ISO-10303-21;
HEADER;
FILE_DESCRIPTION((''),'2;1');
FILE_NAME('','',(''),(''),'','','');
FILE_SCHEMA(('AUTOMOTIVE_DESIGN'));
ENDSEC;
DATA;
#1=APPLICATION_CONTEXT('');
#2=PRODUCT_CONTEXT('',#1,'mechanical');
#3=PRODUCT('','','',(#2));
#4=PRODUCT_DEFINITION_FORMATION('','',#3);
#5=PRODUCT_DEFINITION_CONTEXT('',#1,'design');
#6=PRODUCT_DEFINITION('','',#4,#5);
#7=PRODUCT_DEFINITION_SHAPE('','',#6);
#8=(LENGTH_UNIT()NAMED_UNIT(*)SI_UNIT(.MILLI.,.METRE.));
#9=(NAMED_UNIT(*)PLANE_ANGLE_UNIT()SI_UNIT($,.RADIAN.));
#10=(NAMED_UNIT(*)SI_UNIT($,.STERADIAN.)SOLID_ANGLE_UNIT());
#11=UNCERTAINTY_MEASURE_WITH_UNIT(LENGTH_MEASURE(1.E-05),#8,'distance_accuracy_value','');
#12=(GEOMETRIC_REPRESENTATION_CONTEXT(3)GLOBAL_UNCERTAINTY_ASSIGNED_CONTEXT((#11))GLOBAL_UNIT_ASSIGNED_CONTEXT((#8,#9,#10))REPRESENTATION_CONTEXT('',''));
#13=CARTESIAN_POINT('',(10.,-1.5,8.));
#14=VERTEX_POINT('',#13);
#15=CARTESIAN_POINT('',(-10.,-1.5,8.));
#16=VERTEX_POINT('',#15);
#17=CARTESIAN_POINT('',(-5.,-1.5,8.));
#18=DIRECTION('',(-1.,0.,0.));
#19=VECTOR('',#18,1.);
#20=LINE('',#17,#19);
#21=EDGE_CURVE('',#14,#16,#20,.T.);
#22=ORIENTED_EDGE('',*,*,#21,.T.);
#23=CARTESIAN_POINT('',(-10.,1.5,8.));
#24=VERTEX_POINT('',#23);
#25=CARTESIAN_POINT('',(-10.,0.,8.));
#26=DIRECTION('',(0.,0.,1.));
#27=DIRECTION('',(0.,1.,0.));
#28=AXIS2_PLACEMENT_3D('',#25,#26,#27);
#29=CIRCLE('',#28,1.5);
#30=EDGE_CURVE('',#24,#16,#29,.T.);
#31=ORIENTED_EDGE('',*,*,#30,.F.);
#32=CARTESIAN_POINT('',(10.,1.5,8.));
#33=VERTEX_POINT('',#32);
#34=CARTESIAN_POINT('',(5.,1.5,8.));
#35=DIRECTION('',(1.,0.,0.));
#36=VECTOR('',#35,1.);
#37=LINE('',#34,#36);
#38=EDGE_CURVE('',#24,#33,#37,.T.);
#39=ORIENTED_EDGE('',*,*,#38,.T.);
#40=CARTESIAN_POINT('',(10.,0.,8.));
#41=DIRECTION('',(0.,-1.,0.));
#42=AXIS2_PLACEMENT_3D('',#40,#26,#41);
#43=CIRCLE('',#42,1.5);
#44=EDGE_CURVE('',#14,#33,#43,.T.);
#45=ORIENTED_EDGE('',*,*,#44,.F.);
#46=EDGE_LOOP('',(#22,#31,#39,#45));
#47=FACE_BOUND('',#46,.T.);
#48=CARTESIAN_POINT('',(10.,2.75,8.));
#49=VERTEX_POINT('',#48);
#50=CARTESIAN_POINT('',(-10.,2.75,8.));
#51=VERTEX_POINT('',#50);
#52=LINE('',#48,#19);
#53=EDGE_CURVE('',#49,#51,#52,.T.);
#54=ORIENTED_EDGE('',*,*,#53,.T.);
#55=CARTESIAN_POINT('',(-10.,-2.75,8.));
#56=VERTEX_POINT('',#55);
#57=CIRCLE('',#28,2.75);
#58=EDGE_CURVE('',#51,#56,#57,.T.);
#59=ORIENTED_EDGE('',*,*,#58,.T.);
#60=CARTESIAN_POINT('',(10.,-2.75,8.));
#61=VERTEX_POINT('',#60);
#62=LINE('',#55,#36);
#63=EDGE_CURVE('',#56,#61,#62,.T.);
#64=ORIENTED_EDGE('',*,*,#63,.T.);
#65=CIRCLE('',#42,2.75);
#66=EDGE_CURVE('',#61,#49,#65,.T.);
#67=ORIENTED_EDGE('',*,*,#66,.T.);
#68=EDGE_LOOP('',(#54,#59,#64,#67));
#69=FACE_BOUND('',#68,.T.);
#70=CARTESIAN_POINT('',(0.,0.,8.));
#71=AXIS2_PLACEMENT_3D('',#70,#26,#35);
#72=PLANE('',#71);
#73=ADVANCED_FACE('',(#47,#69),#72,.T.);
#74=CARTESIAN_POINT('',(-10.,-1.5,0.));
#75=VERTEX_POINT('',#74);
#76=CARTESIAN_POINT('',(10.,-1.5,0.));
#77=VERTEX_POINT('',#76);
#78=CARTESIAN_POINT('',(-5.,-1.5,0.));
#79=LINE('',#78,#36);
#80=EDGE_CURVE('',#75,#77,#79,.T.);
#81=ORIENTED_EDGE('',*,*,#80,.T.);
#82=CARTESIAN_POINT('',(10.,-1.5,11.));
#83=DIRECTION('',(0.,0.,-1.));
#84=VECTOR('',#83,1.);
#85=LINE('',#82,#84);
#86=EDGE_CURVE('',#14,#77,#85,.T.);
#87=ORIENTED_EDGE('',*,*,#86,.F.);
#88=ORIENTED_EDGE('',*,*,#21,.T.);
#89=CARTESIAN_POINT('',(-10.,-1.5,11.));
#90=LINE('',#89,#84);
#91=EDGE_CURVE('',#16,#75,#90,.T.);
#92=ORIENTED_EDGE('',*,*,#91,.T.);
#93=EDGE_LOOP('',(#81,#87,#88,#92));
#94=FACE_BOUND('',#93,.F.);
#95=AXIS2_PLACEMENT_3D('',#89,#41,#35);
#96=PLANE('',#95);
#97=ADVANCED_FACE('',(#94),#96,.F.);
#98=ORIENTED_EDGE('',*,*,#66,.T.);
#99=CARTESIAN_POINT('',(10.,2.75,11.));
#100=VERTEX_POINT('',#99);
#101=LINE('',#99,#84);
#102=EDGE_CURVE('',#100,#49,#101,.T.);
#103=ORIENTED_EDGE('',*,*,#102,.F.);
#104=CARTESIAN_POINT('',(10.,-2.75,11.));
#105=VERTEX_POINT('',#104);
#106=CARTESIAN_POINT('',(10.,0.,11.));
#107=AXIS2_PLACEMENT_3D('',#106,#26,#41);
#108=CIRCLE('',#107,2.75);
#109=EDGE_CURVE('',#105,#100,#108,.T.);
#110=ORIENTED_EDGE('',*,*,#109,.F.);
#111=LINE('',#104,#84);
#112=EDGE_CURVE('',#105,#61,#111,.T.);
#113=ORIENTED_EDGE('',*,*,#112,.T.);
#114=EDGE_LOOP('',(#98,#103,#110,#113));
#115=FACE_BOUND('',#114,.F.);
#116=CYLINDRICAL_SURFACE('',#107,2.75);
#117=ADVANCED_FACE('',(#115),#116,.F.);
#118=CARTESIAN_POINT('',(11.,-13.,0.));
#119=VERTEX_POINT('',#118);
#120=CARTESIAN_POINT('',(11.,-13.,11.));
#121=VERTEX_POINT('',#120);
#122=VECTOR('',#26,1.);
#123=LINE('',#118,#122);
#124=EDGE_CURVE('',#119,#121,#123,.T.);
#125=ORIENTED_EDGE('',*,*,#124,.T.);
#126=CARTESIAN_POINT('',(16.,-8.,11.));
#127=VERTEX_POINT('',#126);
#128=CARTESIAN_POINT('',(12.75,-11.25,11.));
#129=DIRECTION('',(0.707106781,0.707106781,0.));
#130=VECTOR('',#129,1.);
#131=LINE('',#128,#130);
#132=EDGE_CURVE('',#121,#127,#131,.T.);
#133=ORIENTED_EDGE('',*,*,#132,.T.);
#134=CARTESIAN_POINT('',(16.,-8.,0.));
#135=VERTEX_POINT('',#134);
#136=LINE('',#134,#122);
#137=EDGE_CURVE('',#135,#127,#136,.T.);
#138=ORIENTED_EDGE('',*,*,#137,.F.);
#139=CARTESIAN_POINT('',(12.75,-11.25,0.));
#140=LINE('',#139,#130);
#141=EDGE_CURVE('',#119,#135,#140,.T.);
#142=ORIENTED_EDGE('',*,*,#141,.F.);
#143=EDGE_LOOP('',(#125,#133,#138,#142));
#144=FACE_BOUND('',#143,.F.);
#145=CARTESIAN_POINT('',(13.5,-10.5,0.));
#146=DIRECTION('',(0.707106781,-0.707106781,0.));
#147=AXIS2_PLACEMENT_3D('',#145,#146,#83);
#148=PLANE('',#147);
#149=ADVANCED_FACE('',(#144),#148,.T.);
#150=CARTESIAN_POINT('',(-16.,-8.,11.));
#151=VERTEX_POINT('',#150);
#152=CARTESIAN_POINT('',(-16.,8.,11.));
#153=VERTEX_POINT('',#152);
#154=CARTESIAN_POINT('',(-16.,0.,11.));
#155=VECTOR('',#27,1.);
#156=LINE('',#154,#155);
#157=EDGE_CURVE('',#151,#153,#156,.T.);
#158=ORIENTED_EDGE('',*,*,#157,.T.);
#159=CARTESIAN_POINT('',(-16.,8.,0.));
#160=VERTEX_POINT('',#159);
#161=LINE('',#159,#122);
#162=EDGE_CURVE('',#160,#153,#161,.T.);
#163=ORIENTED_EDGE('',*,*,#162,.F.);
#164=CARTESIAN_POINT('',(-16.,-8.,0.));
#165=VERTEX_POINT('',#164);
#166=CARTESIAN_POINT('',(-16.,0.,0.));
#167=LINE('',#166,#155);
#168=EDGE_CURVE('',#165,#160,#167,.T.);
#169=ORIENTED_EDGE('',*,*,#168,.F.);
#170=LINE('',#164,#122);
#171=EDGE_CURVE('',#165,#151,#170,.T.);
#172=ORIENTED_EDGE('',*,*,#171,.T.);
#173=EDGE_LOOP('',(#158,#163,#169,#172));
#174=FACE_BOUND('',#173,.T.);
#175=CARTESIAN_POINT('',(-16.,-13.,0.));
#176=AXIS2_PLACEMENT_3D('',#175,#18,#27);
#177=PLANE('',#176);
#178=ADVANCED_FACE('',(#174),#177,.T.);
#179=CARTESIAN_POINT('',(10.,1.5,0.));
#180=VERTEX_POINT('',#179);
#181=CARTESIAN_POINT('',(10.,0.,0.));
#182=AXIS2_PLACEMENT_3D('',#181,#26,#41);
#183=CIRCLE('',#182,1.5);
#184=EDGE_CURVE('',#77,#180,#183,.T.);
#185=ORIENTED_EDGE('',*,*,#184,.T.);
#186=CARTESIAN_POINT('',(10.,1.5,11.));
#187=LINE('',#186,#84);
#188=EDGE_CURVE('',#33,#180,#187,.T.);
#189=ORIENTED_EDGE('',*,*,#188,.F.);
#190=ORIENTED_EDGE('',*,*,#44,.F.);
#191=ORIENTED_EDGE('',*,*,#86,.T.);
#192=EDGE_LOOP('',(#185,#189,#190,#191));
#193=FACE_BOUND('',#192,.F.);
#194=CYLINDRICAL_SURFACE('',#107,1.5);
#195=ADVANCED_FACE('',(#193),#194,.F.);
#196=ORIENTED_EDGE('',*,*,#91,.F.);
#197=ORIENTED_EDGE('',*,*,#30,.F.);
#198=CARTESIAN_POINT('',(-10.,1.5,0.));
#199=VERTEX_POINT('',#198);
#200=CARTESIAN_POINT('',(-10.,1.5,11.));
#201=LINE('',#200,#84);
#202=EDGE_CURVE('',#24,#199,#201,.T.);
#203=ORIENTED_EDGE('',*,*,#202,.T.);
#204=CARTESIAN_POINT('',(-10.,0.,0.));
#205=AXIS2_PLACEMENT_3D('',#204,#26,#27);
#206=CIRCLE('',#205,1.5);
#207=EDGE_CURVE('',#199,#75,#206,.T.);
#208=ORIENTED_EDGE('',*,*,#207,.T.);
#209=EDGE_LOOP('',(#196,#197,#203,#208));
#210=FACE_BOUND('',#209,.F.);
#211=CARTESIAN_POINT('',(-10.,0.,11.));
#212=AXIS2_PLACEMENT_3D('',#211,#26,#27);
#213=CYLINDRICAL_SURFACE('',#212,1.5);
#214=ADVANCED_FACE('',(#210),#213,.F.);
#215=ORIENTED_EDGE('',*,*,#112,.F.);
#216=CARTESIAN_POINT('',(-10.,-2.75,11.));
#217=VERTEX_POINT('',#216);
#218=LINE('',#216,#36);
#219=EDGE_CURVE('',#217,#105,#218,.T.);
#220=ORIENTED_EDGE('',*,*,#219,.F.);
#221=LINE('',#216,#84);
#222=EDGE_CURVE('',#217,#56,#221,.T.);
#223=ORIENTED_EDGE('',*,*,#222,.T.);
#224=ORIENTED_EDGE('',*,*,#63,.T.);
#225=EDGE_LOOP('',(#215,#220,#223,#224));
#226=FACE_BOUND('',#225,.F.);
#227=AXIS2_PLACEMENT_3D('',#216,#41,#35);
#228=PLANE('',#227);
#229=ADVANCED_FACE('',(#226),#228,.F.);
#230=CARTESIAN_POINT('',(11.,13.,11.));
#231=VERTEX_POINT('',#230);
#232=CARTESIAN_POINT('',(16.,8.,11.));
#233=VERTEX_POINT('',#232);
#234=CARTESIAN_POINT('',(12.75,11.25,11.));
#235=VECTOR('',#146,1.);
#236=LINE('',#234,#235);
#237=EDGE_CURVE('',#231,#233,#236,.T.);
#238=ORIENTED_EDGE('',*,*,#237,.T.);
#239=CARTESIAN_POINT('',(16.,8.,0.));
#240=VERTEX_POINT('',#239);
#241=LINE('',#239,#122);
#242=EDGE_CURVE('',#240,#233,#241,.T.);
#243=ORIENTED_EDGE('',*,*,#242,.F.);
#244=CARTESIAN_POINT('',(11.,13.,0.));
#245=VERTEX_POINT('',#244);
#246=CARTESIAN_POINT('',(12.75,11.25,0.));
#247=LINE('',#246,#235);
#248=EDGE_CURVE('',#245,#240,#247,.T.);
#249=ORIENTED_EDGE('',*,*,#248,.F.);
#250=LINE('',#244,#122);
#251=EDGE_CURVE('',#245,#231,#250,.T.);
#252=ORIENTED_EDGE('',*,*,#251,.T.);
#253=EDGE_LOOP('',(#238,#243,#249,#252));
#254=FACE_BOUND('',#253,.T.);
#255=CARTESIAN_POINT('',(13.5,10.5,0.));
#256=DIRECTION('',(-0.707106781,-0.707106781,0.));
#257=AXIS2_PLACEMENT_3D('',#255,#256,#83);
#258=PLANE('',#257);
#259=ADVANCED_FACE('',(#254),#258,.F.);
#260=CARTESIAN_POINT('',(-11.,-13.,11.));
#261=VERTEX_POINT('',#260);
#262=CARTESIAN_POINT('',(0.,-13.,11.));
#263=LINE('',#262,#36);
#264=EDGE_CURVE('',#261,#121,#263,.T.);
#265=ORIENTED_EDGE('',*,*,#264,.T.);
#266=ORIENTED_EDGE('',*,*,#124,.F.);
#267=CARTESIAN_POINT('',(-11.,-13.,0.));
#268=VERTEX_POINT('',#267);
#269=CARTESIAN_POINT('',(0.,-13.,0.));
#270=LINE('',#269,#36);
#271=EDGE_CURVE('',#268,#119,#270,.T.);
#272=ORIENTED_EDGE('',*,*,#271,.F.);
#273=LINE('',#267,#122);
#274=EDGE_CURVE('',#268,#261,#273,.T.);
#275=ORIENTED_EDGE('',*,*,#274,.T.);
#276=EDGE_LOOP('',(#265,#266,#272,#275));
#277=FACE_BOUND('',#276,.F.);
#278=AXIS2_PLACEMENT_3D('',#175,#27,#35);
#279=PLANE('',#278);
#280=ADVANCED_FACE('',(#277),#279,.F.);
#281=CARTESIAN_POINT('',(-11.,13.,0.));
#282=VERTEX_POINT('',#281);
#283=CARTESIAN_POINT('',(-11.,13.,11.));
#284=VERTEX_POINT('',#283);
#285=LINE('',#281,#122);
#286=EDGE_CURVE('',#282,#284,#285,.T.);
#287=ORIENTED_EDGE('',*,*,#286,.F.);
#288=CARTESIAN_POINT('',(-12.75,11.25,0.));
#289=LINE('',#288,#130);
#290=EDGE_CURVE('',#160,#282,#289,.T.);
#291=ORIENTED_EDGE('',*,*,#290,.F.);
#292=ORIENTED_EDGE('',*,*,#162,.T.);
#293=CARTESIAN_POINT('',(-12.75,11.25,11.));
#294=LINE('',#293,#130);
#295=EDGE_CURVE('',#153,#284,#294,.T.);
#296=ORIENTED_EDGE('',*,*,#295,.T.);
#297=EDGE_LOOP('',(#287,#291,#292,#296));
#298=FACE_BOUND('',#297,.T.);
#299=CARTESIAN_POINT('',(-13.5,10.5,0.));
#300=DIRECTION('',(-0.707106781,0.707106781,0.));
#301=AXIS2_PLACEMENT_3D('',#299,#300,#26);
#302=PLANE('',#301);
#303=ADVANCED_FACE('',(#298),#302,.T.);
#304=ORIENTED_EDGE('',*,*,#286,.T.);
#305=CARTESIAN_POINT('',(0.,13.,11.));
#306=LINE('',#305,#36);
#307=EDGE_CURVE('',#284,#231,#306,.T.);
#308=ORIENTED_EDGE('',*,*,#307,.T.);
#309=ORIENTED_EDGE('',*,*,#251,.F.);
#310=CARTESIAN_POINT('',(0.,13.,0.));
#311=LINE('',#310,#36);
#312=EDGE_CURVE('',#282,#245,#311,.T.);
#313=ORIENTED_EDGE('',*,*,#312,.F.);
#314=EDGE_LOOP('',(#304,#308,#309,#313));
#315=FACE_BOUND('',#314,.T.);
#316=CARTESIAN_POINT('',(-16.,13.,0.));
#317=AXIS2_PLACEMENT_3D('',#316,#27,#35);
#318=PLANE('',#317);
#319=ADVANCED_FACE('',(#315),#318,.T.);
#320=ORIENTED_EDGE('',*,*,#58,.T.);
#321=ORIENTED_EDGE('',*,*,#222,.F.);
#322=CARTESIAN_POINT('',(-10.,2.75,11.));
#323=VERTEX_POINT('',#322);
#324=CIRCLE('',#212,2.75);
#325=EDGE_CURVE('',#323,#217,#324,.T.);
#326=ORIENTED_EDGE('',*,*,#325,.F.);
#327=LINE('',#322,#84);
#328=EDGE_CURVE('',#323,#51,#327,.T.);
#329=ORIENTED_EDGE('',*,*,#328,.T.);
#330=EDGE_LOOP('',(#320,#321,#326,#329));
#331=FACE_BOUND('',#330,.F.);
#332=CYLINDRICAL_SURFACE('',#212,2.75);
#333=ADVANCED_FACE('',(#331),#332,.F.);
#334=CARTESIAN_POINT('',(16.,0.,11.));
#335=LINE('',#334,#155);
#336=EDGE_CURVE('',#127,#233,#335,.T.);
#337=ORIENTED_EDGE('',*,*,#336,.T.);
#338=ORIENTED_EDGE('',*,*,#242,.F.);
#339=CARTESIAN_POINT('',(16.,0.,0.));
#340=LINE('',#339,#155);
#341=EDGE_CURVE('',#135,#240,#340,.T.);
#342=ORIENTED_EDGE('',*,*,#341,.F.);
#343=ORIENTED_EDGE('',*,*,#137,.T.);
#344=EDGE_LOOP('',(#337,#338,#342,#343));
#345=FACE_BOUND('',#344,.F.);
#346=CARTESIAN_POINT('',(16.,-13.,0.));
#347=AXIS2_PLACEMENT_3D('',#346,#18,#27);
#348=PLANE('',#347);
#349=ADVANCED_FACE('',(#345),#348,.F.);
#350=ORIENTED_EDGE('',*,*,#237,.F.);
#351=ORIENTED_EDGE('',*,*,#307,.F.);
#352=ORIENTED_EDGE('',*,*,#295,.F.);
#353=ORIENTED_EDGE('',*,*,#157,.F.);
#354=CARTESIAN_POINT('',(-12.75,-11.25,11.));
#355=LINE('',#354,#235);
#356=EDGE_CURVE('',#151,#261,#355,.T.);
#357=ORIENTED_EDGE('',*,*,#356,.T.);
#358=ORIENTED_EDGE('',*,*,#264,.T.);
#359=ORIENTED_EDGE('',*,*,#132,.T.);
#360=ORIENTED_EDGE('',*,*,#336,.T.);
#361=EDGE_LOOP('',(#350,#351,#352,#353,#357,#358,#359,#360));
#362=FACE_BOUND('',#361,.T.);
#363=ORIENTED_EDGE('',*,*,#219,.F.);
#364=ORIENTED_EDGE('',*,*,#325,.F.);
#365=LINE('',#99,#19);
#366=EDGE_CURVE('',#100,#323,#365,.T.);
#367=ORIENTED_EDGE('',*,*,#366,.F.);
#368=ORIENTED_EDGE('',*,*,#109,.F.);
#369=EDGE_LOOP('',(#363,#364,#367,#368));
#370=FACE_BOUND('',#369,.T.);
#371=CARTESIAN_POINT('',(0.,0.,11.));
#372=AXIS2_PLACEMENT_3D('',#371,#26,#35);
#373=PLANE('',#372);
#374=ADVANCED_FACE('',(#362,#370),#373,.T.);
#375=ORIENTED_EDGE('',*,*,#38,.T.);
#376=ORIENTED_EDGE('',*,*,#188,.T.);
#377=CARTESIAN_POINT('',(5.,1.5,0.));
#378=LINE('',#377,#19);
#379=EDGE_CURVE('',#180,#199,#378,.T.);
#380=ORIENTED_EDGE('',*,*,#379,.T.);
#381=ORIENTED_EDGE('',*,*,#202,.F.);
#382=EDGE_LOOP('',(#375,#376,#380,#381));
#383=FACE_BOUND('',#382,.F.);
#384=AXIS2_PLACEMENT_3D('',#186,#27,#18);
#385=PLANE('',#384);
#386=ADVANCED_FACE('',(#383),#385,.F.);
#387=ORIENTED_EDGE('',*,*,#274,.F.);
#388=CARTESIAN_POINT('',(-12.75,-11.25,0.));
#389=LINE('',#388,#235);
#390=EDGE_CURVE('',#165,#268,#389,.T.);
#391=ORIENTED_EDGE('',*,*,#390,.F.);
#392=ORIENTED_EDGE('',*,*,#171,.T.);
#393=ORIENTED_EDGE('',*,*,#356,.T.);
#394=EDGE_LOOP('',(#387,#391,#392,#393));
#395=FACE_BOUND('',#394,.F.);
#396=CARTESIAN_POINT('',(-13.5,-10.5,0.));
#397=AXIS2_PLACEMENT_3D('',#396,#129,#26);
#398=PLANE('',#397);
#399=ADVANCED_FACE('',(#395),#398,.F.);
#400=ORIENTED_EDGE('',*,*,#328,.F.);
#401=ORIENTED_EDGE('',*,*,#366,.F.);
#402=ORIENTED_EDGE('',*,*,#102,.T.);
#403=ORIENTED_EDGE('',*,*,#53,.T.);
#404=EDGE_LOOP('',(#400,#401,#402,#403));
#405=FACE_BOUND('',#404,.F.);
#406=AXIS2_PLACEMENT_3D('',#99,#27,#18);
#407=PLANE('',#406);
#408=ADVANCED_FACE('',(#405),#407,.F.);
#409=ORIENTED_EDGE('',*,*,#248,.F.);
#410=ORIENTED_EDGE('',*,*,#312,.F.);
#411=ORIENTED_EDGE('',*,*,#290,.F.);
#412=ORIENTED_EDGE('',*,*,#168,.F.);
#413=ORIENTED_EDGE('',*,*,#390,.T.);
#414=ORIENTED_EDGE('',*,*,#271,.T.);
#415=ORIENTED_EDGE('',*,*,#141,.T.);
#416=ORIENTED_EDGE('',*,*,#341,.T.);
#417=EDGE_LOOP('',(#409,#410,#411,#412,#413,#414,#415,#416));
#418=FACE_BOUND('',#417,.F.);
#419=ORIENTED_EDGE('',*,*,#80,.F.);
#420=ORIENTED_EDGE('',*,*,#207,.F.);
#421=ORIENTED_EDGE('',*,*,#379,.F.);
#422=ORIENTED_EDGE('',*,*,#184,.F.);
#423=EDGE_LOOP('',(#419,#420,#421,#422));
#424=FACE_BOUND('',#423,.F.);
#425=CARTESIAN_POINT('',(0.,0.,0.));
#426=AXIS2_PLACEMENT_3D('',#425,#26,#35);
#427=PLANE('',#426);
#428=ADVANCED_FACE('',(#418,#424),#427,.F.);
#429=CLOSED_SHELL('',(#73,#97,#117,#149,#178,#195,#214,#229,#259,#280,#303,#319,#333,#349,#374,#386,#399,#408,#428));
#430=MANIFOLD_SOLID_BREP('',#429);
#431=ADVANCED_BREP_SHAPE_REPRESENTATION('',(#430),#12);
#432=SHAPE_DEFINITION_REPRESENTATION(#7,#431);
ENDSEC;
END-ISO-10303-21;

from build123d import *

# Parameters (mm, degrees)
SKETCH_W        = 32
SKETCH_H        = 26
PAD_DEPTH       = 11
POCKET_DEPTH    = 15
POCKET001_DEPTH = 3
CHAMFER_SIZE    = 5


with BuildPart() as part:
    # Sketch → Pad (new body)
    with BuildSketch(Plane.XY):
        Rectangle(SKETCH_W, SKETCH_H)
    extrude(amount=PAD_DEPTH)

    # Sketch001 (on Face6 of Pad) → Pocket (cut)
    with BuildSketch(Plane.XY.offset(11)):
        with BuildLine():
            ThreePointArc((-10, 1.5), (-11.5, 0), (-10, -1.5))
            Line((-10, -1.5), (10, -1.5))
            ThreePointArc((10, -1.5), (11.5, 0), (10, 1.5))
            Line((10, 1.5), (-10, 1.5))
        make_face()
    extrude(amount=-POCKET_DEPTH, mode=Mode.SUBTRACT)

    # Sketch002 (on Face5 of Pocket) → Pocket001 (cut)
    with BuildSketch(Plane.XY.offset(11)):
        with BuildLine():
            ThreePointArc((-10, 2.75), (-12.75, 0), (-10, -2.75))
            Line((-10, -2.75), (10, -2.75))
            ThreePointArc((10, -2.75), (12.75, 0), (10, 2.75))
            Line((10, 2.75), (-10, 2.75))
        make_face()
    extrude(amount=-POCKET001_DEPTH, mode=Mode.SUBTRACT)

    # Chamfer
    chamfer_edges = [part.edges().sort_by_distance(p)[0] for p in [
        (-16, -13, 5.5),
        (16, -13, 5.5),
        (16, 13, 5.5),
        (-16, 13, 5.5),
    ]]
    chamfer(chamfer_edges, length=CHAMFER_SIZE)


solid = part.part
